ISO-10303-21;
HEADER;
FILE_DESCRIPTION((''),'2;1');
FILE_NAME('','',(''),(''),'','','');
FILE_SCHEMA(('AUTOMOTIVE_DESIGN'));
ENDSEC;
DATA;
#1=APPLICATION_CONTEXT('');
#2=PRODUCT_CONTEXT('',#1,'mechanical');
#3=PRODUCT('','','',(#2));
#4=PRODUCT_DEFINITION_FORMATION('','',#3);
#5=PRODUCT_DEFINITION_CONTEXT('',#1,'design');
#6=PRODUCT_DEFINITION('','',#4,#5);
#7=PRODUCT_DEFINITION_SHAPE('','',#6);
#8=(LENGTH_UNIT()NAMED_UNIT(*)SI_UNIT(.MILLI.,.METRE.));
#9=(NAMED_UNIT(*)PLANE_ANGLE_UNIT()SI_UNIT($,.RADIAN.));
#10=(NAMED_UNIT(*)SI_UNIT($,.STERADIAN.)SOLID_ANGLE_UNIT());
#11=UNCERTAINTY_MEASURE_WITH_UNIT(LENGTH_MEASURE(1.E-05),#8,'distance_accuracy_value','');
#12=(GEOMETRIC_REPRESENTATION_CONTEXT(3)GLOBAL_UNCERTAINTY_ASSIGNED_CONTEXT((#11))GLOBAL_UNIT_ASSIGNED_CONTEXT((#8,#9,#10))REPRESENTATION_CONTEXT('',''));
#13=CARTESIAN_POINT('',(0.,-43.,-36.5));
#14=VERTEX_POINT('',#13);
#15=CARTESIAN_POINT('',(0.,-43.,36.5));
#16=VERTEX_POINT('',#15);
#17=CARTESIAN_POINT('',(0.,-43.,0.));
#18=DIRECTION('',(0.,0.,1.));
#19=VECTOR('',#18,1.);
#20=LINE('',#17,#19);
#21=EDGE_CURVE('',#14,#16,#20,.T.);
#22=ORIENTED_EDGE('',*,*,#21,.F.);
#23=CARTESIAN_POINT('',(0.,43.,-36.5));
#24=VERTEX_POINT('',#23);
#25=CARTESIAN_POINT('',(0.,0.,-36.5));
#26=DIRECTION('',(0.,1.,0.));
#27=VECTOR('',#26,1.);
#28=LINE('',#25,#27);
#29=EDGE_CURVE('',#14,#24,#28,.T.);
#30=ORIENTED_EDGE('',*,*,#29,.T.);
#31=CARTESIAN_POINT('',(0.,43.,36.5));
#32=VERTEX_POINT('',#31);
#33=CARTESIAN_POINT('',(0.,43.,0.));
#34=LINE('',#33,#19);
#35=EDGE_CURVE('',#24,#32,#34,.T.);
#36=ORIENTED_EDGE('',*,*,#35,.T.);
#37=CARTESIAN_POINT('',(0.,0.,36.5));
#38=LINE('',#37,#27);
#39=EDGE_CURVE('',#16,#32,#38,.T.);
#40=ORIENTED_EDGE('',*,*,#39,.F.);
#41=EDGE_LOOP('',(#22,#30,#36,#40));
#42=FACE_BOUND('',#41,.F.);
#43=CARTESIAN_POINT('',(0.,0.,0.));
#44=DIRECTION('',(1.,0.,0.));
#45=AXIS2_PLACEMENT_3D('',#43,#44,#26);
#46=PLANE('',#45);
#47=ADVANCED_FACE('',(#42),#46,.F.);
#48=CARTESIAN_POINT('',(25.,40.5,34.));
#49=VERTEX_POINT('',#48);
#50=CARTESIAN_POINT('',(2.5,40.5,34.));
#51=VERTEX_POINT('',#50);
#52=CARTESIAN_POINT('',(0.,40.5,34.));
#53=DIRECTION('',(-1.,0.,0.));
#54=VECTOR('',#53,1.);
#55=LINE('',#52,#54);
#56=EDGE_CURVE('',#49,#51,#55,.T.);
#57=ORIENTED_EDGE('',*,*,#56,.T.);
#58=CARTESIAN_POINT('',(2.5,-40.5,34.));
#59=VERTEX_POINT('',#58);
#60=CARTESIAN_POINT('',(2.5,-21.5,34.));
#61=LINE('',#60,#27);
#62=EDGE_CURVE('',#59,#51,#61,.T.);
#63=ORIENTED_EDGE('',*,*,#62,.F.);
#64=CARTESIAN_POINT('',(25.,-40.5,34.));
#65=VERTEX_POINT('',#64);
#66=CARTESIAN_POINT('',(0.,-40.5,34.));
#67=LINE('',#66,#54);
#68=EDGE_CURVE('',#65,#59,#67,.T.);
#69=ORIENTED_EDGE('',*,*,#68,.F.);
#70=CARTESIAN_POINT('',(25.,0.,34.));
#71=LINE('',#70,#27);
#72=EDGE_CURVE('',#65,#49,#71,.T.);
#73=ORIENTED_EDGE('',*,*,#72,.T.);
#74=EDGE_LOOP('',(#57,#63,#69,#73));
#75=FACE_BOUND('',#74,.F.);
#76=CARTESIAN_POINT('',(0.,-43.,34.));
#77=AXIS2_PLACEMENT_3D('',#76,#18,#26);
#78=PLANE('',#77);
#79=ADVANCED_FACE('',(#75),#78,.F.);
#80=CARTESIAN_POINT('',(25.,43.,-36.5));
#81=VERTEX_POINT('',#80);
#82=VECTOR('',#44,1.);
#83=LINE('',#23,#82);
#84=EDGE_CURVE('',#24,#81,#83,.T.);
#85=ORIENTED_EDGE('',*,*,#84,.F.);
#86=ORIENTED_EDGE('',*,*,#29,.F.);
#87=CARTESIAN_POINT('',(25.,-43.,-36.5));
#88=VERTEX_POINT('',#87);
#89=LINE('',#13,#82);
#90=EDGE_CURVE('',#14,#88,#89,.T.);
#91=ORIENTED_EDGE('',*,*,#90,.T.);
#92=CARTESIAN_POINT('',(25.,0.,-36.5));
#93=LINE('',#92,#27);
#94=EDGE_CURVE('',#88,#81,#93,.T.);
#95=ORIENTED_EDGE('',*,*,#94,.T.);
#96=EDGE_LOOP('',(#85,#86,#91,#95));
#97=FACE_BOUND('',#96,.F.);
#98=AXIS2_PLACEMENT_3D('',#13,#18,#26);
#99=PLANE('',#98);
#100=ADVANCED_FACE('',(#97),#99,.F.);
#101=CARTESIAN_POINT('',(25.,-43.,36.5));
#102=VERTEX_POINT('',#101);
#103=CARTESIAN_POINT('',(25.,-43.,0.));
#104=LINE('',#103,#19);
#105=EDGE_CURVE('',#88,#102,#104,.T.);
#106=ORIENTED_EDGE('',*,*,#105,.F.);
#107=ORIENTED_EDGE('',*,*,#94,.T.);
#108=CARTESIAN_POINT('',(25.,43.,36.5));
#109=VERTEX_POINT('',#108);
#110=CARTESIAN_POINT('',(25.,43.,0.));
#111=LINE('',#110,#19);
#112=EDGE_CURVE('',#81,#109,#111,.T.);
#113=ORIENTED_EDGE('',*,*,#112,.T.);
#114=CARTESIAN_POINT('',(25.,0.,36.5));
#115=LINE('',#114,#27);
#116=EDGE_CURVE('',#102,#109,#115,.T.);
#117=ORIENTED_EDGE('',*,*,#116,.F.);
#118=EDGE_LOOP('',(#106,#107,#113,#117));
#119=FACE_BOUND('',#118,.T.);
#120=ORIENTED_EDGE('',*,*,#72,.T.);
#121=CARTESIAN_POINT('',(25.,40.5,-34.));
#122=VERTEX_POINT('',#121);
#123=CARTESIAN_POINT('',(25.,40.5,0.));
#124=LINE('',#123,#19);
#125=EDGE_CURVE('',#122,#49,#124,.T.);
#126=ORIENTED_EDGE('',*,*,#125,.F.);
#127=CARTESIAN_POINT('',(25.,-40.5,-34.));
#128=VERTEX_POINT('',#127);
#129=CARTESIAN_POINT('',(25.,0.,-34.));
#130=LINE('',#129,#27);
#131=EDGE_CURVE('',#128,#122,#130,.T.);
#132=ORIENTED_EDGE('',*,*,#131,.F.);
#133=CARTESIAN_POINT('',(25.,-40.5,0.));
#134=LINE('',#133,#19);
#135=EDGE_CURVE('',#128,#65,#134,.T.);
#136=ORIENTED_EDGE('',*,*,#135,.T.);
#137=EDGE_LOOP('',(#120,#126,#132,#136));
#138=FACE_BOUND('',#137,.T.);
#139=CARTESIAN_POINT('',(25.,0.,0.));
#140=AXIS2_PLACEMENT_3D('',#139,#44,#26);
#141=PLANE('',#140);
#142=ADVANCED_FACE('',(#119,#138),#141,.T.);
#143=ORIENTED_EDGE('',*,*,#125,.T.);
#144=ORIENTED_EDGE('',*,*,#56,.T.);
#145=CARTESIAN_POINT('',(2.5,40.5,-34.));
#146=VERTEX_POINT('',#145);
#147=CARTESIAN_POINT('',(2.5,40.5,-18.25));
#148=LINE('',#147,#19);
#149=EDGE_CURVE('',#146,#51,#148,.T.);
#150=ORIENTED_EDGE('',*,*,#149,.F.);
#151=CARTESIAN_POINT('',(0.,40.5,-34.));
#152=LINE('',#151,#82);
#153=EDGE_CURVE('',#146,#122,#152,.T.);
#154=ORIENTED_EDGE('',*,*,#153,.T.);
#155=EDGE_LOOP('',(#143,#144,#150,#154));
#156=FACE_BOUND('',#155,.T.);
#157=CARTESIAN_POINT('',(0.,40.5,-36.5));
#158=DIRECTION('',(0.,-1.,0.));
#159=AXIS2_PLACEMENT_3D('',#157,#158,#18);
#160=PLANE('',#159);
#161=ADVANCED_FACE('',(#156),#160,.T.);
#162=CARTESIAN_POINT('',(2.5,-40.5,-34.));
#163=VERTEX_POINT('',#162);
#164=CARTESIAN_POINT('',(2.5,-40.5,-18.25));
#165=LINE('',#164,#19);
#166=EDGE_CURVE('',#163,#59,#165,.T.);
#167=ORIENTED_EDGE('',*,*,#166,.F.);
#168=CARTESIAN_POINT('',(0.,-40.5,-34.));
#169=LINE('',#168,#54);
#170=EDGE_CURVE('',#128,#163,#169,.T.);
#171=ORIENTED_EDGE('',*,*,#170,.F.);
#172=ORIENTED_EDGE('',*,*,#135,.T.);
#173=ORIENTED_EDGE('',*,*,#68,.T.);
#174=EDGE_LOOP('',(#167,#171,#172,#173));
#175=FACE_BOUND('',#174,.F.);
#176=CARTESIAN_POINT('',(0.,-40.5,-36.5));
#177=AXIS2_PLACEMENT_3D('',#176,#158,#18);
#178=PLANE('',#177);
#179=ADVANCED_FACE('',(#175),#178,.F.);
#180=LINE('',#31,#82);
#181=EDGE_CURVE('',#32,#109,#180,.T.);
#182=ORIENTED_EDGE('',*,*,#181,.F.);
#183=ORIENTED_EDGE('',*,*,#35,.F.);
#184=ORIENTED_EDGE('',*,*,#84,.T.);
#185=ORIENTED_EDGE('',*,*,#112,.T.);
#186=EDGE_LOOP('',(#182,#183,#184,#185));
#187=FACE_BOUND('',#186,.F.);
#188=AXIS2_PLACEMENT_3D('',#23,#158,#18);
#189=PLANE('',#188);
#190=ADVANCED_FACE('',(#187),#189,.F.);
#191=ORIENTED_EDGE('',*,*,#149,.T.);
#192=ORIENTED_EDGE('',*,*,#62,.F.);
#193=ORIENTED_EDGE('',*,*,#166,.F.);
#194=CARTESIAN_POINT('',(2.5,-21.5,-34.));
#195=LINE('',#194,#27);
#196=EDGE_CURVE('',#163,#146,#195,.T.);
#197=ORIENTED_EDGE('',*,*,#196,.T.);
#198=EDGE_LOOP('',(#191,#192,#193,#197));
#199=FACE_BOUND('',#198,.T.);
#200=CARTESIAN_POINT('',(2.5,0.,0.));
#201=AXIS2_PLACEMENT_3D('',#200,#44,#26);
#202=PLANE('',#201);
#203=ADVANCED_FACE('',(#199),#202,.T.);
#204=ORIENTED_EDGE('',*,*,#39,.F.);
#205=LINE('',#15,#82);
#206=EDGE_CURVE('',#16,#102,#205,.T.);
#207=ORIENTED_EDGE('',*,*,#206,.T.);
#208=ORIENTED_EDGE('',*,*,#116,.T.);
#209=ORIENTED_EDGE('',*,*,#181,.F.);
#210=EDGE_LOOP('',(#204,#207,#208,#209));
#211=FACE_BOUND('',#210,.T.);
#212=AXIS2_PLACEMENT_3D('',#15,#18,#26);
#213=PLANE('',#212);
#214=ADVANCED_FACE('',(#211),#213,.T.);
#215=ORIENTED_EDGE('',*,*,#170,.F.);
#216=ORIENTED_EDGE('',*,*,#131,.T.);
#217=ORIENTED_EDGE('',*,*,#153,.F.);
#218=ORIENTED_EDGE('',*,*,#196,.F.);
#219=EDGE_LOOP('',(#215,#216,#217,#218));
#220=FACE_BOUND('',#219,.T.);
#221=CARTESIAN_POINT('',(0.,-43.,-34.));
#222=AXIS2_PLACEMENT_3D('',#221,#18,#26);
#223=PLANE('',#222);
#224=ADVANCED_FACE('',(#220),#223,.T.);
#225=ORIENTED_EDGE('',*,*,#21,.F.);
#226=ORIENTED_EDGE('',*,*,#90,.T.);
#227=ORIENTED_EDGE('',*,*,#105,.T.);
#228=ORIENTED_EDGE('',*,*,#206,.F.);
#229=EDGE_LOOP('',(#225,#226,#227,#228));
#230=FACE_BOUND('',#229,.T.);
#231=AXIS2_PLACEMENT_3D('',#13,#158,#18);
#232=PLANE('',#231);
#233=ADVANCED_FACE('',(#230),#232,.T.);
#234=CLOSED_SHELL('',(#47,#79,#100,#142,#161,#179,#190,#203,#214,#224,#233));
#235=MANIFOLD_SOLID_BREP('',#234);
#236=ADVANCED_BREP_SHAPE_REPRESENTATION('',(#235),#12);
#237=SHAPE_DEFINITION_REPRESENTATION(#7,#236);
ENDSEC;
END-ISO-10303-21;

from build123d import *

# Parameters (mm, degrees)
F0_W     = 86
F0_H     = 73
F1_DEPTH = 25
F2_T     = -2.5


with BuildPart() as f1:
    # F0 (on Right) → F1 (new body)
    with BuildSketch(Plane.YZ):
        Rectangle(F0_W, F0_H)
    extrude(amount=F1_DEPTH)

    # F2
    f2_openings = [f1.faces().sort_by_distance(p)[0] for p in [
        (25, 0, 0),
    ]]
    offset(amount=F2_T, openings=f2_openings)


solid = f1.part
